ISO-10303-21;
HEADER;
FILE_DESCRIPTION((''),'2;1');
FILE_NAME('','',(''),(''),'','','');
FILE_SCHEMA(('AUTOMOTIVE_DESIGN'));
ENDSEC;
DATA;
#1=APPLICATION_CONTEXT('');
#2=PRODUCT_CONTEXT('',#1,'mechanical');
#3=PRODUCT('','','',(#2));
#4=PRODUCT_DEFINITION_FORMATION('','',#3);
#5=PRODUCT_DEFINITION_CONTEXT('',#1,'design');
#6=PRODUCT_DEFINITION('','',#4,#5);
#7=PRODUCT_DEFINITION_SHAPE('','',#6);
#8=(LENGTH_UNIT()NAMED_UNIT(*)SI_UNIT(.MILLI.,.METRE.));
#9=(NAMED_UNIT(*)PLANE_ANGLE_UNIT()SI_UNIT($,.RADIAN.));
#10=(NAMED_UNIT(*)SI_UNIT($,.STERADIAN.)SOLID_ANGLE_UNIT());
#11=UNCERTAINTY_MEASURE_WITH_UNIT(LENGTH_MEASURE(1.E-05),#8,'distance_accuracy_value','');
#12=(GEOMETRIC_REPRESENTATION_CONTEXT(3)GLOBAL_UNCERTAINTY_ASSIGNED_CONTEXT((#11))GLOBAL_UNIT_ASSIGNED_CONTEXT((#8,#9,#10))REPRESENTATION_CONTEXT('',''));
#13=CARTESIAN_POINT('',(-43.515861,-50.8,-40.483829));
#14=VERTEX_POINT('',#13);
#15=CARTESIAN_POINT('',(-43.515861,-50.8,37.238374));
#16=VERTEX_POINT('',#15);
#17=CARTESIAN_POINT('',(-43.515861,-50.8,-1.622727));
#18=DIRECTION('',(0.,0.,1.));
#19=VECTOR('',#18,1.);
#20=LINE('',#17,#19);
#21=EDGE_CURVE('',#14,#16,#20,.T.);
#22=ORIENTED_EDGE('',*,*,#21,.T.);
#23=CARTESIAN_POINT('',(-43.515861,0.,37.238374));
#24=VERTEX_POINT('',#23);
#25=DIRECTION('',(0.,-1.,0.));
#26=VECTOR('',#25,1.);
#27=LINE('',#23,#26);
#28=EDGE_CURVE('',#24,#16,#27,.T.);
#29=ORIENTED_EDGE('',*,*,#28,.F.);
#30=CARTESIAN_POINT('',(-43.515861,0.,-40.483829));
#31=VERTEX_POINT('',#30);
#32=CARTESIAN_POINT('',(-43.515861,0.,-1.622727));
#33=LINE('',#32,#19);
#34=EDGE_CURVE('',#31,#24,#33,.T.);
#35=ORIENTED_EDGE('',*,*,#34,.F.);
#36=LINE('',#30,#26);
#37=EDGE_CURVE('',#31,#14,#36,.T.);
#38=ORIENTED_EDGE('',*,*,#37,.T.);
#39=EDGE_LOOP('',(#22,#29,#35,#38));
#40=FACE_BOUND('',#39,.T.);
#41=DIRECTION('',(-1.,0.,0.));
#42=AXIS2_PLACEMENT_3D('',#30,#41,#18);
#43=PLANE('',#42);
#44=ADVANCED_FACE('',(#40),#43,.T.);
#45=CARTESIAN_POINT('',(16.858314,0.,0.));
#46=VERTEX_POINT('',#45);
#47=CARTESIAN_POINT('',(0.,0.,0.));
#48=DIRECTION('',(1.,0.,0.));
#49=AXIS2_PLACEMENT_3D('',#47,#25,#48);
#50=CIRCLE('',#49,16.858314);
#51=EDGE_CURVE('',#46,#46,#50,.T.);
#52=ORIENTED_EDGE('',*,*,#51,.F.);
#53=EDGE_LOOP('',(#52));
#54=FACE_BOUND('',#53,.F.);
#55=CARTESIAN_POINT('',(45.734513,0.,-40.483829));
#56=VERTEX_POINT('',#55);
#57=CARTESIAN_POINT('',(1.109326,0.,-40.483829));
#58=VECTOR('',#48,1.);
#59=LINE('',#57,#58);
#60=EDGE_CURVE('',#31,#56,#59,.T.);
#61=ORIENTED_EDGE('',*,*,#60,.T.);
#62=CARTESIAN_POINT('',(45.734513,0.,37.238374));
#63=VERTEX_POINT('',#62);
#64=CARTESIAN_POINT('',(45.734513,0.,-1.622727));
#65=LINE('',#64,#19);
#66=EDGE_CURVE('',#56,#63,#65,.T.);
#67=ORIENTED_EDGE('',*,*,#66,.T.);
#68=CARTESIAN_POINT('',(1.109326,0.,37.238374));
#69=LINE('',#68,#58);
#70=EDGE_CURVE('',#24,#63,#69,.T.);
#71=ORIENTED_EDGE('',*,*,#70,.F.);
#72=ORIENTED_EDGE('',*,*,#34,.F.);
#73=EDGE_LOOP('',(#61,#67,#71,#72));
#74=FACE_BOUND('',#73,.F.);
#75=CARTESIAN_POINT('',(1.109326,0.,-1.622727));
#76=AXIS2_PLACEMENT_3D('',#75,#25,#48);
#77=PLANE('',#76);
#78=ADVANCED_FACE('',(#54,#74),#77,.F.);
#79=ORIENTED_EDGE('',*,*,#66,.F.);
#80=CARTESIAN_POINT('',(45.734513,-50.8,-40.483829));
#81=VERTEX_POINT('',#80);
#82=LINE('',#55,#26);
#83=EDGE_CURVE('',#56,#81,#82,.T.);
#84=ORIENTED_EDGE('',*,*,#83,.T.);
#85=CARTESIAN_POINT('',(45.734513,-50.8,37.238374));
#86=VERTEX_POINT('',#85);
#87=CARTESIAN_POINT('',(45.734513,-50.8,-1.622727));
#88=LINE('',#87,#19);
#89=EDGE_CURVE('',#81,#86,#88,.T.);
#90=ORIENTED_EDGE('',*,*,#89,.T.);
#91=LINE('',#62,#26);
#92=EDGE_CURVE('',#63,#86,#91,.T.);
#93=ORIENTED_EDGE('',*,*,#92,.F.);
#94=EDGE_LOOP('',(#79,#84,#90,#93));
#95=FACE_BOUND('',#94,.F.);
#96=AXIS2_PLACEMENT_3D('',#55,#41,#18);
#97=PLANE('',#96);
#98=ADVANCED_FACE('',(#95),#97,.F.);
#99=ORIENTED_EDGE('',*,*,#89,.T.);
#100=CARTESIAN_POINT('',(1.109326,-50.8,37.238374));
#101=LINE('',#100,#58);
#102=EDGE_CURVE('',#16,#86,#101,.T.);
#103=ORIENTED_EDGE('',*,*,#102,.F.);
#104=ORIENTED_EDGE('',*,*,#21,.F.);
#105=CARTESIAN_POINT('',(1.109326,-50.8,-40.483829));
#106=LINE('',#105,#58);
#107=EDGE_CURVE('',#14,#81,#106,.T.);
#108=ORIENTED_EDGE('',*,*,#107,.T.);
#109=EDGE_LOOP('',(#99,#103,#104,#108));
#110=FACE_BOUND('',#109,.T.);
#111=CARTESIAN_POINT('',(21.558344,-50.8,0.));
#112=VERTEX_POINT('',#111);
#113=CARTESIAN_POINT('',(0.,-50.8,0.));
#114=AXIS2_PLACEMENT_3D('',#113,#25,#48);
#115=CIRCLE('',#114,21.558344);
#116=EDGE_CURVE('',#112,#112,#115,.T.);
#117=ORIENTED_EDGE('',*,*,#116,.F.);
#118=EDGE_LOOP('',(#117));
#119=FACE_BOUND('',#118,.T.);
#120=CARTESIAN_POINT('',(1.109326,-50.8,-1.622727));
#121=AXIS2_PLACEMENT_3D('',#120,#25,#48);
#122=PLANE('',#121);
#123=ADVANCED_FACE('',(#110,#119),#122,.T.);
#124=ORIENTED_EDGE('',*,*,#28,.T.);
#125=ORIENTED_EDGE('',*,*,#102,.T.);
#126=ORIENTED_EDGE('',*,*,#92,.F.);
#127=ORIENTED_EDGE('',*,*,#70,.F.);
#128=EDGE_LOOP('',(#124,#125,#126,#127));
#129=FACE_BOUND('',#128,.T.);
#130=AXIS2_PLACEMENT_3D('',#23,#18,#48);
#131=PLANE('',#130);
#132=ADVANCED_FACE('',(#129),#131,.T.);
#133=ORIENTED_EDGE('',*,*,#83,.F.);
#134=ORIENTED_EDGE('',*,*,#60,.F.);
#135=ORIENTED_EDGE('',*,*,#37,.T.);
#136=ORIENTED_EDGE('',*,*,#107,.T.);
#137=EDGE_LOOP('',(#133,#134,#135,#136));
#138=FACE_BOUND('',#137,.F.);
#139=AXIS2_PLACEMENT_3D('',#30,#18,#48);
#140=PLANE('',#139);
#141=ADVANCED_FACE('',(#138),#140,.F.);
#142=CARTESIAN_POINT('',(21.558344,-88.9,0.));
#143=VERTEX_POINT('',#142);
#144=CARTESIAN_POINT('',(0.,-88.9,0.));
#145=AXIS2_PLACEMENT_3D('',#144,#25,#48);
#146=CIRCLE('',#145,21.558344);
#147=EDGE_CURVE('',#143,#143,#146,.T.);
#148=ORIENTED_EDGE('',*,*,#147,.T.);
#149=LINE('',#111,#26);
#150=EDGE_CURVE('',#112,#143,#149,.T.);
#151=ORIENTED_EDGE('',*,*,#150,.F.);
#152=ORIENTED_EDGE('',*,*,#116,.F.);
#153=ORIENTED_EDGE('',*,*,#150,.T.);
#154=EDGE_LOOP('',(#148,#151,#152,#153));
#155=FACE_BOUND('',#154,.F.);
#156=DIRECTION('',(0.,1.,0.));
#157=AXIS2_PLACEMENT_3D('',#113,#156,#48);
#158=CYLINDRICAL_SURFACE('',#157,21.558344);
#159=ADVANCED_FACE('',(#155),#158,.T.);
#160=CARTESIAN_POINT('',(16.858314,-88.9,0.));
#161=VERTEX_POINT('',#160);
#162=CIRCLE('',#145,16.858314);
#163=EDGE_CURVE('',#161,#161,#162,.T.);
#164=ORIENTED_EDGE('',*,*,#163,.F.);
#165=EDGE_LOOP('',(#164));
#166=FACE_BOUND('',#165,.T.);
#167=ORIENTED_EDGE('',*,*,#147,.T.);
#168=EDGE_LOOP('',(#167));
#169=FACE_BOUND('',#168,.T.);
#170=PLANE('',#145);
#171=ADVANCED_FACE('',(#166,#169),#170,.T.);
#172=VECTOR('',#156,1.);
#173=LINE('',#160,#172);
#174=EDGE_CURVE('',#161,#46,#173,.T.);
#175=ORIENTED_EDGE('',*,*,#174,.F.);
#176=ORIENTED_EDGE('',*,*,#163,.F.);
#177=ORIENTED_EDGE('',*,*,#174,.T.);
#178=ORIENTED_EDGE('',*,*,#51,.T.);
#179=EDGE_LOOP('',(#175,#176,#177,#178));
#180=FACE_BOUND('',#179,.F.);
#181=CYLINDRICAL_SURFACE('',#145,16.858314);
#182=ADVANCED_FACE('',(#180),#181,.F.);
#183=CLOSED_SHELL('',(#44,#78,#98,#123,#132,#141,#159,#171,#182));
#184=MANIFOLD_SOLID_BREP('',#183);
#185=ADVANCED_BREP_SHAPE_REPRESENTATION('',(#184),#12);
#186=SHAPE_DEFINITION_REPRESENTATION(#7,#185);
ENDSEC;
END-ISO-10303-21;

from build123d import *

# Parameters (mm, degrees)
F0_W     = 89.250375
F0_H     = 77.722203
F1_DEPTH = 50.8
F2_R     = 21.558344
F3_DEPTH = 38.1
F4_R     = 16.858314
F5_DEPTH = 127


with BuildPart() as f1:
    # F0 (on Front) → F1 (new body)
    with BuildSketch(Plane.XZ):
        with Locations((1.109326, -1.622727)):
            Rectangle(F0_W, F0_H)
    extrude(amount=F1_DEPTH)

    # F2 (on face) → F3 (join)
    with BuildSketch(Plane.XZ.offset(50.8)):
        Circle(F2_R)
    extrude(amount=F3_DEPTH)

    # F4 (on face) → F5 (cut)
    with BuildSketch(Plane.XZ.offset(88.9)):
        Circle(F4_R)
    extrude(amount=-F5_DEPTH, mode=Mode.SUBTRACT)


solid = f1.part
